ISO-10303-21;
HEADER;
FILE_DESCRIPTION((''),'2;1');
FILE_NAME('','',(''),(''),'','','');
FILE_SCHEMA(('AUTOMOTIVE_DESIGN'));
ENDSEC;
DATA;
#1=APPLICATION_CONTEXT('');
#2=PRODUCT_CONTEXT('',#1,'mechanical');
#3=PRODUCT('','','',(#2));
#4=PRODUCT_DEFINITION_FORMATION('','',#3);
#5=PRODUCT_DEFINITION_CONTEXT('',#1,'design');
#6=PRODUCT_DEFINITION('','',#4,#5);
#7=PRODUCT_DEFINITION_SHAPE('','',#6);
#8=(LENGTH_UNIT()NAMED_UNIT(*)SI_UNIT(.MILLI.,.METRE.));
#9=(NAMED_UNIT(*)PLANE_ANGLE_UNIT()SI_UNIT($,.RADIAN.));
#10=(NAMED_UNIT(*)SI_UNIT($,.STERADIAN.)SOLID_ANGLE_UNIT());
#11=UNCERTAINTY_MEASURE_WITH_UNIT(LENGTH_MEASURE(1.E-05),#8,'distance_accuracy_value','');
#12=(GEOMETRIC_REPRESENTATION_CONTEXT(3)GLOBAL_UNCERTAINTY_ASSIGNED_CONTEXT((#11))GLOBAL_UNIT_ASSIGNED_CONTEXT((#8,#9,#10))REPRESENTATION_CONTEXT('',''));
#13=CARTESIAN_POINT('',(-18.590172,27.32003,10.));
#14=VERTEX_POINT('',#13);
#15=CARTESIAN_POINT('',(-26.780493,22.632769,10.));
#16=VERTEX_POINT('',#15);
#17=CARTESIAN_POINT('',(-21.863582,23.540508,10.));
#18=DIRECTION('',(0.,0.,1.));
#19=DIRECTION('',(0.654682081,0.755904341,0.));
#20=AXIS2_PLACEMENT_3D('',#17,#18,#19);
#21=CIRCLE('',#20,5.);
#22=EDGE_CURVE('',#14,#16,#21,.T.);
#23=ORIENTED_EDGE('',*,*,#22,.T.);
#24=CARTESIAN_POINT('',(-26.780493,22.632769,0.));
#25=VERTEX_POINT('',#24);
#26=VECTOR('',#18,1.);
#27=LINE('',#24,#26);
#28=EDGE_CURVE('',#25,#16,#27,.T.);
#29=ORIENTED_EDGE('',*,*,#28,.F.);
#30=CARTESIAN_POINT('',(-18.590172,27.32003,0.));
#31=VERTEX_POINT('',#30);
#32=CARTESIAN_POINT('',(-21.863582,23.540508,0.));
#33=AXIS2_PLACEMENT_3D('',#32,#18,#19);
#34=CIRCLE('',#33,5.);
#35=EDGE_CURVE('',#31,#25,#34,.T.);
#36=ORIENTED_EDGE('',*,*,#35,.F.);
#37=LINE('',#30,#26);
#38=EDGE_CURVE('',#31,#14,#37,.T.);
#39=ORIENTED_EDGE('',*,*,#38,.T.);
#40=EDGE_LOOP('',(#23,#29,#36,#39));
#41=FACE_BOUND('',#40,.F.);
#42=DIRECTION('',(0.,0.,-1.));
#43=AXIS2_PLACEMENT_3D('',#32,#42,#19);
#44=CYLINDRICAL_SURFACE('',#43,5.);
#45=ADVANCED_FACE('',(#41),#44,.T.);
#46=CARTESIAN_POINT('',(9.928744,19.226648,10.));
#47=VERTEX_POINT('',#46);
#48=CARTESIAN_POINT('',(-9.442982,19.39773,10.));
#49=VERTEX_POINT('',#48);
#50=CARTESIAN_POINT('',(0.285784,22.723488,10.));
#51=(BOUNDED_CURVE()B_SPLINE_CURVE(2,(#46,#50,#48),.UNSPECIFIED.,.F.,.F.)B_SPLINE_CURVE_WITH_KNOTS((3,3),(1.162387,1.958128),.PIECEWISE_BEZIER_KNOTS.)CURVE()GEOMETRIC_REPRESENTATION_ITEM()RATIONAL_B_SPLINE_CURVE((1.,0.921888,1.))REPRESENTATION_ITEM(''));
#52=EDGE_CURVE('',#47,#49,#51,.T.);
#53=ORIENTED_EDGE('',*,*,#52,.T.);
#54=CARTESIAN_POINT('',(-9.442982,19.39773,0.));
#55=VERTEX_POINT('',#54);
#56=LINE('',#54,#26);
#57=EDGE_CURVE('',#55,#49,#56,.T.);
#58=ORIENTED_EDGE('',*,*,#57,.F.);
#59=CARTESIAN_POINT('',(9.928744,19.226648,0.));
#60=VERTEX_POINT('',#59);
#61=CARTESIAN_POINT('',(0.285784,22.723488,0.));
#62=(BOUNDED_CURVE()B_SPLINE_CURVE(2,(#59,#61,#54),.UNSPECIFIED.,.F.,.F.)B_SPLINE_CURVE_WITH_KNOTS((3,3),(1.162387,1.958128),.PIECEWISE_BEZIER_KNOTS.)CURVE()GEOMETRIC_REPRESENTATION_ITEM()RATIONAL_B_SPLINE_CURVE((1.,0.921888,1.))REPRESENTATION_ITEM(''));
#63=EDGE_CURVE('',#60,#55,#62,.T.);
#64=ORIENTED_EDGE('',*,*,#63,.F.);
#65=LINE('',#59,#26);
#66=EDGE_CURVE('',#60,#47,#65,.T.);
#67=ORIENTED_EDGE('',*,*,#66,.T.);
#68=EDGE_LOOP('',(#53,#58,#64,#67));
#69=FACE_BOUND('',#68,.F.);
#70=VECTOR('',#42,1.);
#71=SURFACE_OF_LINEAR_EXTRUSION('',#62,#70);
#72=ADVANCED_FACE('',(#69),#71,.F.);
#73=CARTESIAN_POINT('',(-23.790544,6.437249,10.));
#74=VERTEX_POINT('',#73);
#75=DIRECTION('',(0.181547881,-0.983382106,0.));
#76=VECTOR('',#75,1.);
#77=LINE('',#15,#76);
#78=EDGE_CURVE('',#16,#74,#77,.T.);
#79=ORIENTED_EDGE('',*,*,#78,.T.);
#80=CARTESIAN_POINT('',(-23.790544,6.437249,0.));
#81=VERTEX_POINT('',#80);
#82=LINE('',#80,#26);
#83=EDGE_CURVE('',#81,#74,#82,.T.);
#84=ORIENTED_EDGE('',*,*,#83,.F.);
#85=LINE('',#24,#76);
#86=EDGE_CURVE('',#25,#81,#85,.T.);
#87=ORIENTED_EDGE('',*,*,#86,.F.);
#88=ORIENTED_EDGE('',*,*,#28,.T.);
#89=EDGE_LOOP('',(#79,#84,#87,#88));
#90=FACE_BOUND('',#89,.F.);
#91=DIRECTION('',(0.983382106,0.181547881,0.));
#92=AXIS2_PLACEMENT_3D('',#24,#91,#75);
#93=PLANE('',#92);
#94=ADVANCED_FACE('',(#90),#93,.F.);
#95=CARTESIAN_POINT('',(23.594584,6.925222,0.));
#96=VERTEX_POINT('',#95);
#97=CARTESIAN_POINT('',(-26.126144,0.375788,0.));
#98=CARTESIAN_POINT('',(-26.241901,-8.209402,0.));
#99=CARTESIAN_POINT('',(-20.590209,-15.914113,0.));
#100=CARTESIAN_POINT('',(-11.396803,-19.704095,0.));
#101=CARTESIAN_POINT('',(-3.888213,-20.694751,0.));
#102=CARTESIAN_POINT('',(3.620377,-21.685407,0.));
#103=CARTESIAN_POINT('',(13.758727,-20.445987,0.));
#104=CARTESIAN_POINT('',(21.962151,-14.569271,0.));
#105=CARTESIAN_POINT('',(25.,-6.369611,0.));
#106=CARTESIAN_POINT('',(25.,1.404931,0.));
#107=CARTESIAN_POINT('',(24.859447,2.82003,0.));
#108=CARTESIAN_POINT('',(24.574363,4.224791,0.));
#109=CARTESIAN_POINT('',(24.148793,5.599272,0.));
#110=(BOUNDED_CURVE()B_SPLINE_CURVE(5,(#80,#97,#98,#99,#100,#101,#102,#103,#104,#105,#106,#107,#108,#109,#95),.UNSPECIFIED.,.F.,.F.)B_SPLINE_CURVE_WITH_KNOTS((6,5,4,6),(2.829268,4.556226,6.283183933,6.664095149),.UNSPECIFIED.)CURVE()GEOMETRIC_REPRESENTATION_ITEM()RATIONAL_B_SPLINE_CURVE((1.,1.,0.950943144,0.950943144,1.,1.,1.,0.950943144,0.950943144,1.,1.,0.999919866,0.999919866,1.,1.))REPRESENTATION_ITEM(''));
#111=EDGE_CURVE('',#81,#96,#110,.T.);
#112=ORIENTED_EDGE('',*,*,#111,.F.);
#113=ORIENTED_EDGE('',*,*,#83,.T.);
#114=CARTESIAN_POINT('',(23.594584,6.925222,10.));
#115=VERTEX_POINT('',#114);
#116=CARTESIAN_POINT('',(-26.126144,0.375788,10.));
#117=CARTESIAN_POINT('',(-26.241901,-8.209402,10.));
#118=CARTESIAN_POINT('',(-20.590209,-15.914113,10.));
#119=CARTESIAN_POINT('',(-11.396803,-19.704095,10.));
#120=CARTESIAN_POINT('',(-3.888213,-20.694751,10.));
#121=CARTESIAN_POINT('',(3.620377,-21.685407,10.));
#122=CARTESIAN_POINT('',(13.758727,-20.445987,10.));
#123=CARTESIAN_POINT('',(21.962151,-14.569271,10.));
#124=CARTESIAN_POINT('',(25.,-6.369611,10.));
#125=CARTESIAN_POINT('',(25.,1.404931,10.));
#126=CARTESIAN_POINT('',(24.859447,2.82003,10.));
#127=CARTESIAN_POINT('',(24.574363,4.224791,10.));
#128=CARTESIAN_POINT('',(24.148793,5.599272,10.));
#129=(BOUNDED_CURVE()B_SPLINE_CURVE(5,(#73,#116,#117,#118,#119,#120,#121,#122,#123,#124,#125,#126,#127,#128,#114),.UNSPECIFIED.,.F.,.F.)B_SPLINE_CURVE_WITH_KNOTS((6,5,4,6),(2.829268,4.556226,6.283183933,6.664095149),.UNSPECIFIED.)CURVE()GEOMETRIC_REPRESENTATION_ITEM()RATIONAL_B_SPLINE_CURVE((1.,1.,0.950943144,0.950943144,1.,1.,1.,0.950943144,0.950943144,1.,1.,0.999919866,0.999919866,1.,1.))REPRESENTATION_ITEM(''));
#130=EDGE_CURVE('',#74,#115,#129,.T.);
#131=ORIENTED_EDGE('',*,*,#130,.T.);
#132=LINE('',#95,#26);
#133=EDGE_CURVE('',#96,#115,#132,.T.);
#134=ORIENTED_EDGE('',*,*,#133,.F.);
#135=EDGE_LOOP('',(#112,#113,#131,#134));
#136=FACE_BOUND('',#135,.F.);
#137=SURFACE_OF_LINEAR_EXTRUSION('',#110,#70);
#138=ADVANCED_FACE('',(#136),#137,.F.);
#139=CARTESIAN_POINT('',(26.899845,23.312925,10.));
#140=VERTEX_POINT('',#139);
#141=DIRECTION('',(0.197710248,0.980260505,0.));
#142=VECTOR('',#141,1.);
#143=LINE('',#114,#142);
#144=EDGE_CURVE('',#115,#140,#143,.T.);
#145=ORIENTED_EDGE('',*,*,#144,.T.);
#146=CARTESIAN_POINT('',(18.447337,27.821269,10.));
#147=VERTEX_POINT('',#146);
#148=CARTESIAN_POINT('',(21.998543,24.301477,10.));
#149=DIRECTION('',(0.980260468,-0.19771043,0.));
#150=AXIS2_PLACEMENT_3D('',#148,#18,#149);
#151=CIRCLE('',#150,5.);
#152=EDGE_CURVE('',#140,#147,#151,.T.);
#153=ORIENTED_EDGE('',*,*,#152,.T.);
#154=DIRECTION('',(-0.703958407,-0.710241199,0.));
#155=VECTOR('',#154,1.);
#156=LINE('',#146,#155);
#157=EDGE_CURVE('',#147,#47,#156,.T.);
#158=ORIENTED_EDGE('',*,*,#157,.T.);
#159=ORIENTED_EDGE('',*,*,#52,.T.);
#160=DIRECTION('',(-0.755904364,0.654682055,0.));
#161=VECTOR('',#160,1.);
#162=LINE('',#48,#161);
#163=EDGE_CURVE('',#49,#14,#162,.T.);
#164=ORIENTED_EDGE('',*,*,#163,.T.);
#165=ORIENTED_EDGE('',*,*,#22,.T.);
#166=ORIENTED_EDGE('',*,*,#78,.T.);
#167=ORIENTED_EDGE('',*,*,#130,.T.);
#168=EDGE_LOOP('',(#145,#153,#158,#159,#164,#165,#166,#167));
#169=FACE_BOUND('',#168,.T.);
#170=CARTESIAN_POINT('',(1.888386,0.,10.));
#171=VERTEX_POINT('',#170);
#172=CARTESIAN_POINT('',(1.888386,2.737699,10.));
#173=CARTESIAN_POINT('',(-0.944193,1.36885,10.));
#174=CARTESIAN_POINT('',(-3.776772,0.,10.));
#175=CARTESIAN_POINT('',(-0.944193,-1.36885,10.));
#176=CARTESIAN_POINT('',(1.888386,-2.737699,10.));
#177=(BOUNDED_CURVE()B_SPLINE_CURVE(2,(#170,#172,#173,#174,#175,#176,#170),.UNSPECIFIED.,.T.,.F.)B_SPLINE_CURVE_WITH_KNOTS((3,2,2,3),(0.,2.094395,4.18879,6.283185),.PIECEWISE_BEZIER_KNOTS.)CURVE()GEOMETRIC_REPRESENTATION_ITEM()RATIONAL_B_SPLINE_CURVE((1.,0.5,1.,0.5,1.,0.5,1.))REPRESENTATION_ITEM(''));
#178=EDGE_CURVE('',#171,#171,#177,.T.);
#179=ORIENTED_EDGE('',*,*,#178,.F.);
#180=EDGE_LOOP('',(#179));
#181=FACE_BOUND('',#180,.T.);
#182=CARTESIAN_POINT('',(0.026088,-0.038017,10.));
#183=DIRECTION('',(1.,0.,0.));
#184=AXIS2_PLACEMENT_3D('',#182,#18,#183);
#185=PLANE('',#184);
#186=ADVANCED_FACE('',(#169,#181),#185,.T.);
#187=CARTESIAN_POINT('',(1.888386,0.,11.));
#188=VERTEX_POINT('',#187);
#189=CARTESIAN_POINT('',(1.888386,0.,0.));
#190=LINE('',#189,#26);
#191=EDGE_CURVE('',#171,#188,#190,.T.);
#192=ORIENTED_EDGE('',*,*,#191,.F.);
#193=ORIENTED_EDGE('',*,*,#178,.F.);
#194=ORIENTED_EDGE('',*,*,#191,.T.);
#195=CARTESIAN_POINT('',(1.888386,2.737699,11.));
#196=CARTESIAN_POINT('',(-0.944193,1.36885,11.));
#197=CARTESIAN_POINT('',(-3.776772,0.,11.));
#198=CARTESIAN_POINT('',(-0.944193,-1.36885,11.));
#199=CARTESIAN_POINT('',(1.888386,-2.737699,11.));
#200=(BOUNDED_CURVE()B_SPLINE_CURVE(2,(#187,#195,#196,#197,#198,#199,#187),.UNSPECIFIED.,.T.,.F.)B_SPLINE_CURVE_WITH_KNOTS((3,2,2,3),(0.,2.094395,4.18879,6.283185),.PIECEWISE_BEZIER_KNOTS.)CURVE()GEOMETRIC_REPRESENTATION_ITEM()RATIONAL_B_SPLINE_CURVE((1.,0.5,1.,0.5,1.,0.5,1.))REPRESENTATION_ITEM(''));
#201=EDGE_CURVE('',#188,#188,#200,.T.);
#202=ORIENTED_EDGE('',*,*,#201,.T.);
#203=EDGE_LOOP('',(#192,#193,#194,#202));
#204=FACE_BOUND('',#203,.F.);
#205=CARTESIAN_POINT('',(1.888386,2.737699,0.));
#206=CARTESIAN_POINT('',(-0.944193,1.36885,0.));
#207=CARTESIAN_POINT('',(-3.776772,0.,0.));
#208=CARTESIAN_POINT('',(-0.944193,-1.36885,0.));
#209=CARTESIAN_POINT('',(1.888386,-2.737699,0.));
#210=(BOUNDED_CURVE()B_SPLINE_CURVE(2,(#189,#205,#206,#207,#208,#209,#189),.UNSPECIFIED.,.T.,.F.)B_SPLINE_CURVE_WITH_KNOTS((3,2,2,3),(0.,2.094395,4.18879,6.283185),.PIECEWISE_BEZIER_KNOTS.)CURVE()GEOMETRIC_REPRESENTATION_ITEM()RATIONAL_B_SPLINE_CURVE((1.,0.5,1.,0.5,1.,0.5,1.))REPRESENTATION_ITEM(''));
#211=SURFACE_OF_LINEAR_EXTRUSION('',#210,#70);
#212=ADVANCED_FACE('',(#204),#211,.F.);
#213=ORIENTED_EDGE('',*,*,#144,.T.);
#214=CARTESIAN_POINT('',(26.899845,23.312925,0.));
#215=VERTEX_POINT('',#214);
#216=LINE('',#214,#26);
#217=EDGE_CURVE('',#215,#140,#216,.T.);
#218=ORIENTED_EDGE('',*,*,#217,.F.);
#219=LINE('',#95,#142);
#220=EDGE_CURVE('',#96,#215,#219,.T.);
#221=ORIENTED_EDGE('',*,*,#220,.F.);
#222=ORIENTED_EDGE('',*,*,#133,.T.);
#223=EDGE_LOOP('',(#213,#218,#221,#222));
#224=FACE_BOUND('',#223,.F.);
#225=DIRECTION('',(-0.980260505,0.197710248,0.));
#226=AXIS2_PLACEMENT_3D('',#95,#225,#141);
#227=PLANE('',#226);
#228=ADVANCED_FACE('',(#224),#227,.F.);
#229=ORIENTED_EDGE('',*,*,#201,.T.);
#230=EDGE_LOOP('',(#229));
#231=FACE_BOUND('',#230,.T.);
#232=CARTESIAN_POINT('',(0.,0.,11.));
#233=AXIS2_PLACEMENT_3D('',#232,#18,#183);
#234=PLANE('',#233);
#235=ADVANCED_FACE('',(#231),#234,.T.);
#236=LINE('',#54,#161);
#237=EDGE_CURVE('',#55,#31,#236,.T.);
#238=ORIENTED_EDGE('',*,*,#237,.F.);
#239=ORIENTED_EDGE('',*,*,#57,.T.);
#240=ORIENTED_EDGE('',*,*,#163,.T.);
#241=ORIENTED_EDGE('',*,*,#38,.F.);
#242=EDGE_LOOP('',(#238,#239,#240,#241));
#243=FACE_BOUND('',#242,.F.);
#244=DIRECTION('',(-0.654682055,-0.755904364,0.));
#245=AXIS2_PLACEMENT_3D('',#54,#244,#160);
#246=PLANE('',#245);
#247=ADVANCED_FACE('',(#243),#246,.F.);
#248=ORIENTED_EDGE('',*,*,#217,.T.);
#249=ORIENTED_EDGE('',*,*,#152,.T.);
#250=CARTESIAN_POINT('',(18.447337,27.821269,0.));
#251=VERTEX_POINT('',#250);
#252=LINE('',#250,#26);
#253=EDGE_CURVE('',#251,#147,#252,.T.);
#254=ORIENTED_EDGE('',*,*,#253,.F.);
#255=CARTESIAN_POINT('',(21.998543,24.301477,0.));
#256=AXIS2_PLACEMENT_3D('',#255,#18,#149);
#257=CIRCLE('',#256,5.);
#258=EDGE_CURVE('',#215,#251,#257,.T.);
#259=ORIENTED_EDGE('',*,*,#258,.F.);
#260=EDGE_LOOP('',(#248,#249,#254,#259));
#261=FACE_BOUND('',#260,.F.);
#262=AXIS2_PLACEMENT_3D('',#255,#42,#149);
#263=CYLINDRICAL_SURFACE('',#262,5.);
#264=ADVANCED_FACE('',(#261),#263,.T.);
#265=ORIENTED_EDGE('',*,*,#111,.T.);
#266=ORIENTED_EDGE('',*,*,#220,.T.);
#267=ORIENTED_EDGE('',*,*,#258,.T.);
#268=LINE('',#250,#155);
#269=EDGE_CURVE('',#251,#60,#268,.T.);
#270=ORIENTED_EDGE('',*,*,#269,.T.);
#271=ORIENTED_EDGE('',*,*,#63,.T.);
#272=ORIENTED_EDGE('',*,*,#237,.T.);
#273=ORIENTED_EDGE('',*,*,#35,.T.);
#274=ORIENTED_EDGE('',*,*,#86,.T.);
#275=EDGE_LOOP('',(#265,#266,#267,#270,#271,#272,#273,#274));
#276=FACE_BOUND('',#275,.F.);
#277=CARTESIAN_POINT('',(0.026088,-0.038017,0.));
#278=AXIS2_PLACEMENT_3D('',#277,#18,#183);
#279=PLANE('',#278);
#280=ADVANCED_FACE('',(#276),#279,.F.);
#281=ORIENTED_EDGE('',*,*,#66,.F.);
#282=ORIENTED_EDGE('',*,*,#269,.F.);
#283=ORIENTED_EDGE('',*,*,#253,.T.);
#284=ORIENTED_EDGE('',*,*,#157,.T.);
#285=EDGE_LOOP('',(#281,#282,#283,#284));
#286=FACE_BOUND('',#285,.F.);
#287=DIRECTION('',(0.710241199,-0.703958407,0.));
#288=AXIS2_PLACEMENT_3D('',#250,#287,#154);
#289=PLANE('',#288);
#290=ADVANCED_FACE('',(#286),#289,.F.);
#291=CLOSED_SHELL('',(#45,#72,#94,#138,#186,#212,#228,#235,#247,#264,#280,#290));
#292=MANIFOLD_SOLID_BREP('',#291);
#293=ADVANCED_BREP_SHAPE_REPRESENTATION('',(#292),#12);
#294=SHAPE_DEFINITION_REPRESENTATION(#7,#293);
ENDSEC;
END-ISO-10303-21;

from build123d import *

# Parameters (mm, degrees)
F1_DEPTH = 10
F2_DEPTH = 11


with BuildPart() as f1:
    # F0 (on Top) → F1 (new body)
    with BuildSketch(Plane.XY):
        with BuildLine():
            add(Edge.make_bspline(
                [(-23.790544, 6.437249), (-32.776427, -16.883344), (-3.888213, -20.694751), (25, -24.506157), (25, 0)],
                knots=[2.829268, 2.829268, 2.829268, 4.556226, 4.556226, 6.283185, 6.283185, 6.283185], degree=2, weights=[1, 0.649797, 1, 0.649797, 1]))
            add(Edge.make_bspline(
                [(25, 0), (25, 3.562754), (23.594584, 6.925222)],
                knots=[0, 0, 0, 0.336902, 0.336902, 0.336902], degree=2, weights=[1, 0.985846, 1]))
            add(Edge.make_bspline(
                [(23.594584, 6.925222), (19.975762, 15.583283), (9.928744, 19.226648)],
                knots=[0.336902, 0.336902, 0.336902, 1.162387, 1.162387, 1.162387], degree=2, weights=[1, 0.916024, 1]))
            add(Edge.make_bspline(
                [(9.928744, 19.226648), (0.285784, 22.723488), (-9.442982, 19.39773)],
                knots=[1.162387, 1.162387, 1.162387, 1.958128, 1.958128, 1.958128], degree=2, weights=[1, 0.921888, 1]))
            add(Edge.make_bspline(
                [(-9.442982, 19.39773), (-20.215591, 15.715136), (-23.790544, 6.437249)],
                knots=[1.958128, 1.958128, 1.958128, 2.829268, 2.829268, 2.829268], degree=2, weights=[1, 0.90663, 1]))
        make_face()
        with BuildLine():
            add(Edge.make_bspline(
                [(1.888386, 0), (1.888386, 2.737699), (-0.944193, 1.36885), (-3.776772, 0), (-0.944193, -1.36885), (1.888386, -2.737699), (1.888386, 0)],
                knots=[0, 0, 0, 2.094395, 2.094395, 4.18879, 4.18879, 6.283185, 6.283185, 6.283185], degree=2, weights=[1, 0.5, 1, 0.5, 1, 0.5, 1]))
        make_face(mode=Mode.SUBTRACT)
        with BuildLine():
            Line((-26.780493, 22.632769), (-23.790544, 6.437249))
            add(Edge.make_bspline(
                [(-9.442982, 19.39773), (-20.215591, 15.715136), (-23.790544, 6.437249)],
                knots=[1.958128, 1.958128, 1.958128, 2.829268, 2.829268, 2.829268], degree=2, weights=[1, 0.90663, 1]))
            Line((-9.442982, 19.39773), (-18.590172, 27.32003))
            ThreePointArc((-18.590172, 27.32003), (-24.347103, 27.880108), (-26.780493, 22.632769))
        make_face()
        with BuildLine():
            add(Edge.make_bspline(
                [(23.594584, 6.925222), (19.975762, 15.583283), (9.928744, 19.226648)],
                knots=[0.336902, 0.336902, 0.336902, 1.162387, 1.162387, 1.162387], degree=2, weights=[1, 0.916024, 1]))
            Line((23.594584, 6.925222), (26.899845, 23.312925))
            ThreePointArc((26.899845, 23.312925), (24.351622, 28.713168), (18.447337, 27.821269))
            Line((18.447337, 27.821269), (9.928744, 19.226648))
        make_face()
    extrude(amount=F1_DEPTH)

    # F0 (on Top) → F2 (join)
    with BuildSketch(Plane.XY):
        with BuildLine():
            add(Edge.make_bspline(
                [(1.888386, 0), (1.888386, 2.737699), (-0.944193, 1.36885), (-3.776772, 0), (-0.944193, -1.36885), (1.888386, -2.737699), (1.888386, 0)],
                knots=[0, 0, 0, 2.094395, 2.094395, 4.18879, 4.18879, 6.283185, 6.283185, 6.283185], degree=2, weights=[1, 0.5, 1, 0.5, 1, 0.5, 1]))
        make_face()
    extrude(amount=F2_DEPTH)


solid = f1.part
